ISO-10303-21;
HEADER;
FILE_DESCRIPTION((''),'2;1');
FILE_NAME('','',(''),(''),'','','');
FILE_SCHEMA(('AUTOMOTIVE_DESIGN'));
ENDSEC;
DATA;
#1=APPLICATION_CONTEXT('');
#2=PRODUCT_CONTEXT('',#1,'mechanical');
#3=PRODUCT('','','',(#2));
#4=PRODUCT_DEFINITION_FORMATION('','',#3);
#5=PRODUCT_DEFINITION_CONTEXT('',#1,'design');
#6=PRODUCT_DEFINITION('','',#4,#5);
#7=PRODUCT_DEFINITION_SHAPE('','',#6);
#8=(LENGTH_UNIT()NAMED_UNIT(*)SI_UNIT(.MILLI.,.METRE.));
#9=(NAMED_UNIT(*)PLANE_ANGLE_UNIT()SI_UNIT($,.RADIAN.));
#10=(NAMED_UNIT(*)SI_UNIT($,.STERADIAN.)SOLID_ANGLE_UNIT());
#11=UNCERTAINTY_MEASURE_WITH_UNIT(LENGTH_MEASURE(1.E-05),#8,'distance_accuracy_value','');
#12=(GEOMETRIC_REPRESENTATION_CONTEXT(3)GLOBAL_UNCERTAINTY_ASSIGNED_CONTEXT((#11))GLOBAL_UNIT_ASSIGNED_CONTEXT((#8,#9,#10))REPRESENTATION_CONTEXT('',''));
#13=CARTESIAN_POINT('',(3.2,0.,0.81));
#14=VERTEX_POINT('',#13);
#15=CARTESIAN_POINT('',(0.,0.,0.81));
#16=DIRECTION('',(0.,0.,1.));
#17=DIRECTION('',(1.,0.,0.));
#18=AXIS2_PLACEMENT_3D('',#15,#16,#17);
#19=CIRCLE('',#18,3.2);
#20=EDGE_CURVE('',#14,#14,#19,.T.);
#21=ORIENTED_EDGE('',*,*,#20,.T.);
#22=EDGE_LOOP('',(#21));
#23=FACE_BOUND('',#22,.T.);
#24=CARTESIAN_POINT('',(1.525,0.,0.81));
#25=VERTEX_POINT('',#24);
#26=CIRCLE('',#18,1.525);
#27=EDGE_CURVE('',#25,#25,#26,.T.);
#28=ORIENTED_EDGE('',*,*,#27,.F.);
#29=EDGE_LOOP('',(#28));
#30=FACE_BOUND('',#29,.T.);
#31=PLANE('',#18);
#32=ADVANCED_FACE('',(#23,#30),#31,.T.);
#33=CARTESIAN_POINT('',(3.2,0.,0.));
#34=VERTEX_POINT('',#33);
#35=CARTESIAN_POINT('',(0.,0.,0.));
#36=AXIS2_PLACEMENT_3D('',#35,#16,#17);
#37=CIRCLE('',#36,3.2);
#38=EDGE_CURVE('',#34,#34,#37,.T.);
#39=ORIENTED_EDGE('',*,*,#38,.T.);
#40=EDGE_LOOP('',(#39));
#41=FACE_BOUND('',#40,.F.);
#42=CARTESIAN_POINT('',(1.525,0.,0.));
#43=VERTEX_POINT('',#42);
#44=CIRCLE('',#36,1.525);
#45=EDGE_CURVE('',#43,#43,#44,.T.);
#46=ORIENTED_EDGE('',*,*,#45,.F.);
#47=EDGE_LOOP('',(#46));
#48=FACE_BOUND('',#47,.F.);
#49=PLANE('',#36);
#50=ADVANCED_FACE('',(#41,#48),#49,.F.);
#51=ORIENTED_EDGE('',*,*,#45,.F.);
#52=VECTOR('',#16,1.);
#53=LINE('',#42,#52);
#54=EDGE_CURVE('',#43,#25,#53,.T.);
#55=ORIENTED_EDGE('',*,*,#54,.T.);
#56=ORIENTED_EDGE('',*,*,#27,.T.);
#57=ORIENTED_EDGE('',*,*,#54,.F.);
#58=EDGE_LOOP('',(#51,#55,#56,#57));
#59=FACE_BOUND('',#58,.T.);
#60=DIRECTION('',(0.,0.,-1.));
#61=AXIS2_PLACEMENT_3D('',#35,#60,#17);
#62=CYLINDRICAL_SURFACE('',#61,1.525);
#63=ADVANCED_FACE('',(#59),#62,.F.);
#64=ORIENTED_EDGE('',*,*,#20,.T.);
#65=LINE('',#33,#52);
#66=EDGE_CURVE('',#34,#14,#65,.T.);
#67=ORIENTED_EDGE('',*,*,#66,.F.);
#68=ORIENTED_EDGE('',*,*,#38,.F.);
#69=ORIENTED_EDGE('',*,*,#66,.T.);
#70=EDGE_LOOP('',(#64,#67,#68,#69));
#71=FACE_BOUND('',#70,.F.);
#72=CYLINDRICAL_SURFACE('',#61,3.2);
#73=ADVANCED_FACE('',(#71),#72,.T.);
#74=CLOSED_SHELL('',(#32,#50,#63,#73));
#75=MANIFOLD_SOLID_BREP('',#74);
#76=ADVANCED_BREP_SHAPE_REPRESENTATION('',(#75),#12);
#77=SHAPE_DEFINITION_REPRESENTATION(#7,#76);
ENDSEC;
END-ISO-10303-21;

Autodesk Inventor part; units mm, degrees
ref_plane "YZ Plane" through (0, 0, 0) normal (1, 0, 0) x (0, 1, 0)
ref_plane "XZ Plane" through (0, 0, 0) normal (0, 1, 0) x (-1, 0, 0)
ref_plane "XY Plane" through (0, 0, 0) normal (0, 0, 1) x (1, 0, 0)
sketch "Sketch1" plane through (0, 0, 0) normal (0, 0, 1) x (1, 0, 0)
  circle A0 centre (0, 0) radius 1.525
  circle A1 centre (0, 0) radius 3.2
  dimension "d0" = 3.05
  dimension "d1" = 6.4
extrude "Extrusion1" add sketch "Sketch1" along normal blind 0.81
properties part number "Keystone 3348"
